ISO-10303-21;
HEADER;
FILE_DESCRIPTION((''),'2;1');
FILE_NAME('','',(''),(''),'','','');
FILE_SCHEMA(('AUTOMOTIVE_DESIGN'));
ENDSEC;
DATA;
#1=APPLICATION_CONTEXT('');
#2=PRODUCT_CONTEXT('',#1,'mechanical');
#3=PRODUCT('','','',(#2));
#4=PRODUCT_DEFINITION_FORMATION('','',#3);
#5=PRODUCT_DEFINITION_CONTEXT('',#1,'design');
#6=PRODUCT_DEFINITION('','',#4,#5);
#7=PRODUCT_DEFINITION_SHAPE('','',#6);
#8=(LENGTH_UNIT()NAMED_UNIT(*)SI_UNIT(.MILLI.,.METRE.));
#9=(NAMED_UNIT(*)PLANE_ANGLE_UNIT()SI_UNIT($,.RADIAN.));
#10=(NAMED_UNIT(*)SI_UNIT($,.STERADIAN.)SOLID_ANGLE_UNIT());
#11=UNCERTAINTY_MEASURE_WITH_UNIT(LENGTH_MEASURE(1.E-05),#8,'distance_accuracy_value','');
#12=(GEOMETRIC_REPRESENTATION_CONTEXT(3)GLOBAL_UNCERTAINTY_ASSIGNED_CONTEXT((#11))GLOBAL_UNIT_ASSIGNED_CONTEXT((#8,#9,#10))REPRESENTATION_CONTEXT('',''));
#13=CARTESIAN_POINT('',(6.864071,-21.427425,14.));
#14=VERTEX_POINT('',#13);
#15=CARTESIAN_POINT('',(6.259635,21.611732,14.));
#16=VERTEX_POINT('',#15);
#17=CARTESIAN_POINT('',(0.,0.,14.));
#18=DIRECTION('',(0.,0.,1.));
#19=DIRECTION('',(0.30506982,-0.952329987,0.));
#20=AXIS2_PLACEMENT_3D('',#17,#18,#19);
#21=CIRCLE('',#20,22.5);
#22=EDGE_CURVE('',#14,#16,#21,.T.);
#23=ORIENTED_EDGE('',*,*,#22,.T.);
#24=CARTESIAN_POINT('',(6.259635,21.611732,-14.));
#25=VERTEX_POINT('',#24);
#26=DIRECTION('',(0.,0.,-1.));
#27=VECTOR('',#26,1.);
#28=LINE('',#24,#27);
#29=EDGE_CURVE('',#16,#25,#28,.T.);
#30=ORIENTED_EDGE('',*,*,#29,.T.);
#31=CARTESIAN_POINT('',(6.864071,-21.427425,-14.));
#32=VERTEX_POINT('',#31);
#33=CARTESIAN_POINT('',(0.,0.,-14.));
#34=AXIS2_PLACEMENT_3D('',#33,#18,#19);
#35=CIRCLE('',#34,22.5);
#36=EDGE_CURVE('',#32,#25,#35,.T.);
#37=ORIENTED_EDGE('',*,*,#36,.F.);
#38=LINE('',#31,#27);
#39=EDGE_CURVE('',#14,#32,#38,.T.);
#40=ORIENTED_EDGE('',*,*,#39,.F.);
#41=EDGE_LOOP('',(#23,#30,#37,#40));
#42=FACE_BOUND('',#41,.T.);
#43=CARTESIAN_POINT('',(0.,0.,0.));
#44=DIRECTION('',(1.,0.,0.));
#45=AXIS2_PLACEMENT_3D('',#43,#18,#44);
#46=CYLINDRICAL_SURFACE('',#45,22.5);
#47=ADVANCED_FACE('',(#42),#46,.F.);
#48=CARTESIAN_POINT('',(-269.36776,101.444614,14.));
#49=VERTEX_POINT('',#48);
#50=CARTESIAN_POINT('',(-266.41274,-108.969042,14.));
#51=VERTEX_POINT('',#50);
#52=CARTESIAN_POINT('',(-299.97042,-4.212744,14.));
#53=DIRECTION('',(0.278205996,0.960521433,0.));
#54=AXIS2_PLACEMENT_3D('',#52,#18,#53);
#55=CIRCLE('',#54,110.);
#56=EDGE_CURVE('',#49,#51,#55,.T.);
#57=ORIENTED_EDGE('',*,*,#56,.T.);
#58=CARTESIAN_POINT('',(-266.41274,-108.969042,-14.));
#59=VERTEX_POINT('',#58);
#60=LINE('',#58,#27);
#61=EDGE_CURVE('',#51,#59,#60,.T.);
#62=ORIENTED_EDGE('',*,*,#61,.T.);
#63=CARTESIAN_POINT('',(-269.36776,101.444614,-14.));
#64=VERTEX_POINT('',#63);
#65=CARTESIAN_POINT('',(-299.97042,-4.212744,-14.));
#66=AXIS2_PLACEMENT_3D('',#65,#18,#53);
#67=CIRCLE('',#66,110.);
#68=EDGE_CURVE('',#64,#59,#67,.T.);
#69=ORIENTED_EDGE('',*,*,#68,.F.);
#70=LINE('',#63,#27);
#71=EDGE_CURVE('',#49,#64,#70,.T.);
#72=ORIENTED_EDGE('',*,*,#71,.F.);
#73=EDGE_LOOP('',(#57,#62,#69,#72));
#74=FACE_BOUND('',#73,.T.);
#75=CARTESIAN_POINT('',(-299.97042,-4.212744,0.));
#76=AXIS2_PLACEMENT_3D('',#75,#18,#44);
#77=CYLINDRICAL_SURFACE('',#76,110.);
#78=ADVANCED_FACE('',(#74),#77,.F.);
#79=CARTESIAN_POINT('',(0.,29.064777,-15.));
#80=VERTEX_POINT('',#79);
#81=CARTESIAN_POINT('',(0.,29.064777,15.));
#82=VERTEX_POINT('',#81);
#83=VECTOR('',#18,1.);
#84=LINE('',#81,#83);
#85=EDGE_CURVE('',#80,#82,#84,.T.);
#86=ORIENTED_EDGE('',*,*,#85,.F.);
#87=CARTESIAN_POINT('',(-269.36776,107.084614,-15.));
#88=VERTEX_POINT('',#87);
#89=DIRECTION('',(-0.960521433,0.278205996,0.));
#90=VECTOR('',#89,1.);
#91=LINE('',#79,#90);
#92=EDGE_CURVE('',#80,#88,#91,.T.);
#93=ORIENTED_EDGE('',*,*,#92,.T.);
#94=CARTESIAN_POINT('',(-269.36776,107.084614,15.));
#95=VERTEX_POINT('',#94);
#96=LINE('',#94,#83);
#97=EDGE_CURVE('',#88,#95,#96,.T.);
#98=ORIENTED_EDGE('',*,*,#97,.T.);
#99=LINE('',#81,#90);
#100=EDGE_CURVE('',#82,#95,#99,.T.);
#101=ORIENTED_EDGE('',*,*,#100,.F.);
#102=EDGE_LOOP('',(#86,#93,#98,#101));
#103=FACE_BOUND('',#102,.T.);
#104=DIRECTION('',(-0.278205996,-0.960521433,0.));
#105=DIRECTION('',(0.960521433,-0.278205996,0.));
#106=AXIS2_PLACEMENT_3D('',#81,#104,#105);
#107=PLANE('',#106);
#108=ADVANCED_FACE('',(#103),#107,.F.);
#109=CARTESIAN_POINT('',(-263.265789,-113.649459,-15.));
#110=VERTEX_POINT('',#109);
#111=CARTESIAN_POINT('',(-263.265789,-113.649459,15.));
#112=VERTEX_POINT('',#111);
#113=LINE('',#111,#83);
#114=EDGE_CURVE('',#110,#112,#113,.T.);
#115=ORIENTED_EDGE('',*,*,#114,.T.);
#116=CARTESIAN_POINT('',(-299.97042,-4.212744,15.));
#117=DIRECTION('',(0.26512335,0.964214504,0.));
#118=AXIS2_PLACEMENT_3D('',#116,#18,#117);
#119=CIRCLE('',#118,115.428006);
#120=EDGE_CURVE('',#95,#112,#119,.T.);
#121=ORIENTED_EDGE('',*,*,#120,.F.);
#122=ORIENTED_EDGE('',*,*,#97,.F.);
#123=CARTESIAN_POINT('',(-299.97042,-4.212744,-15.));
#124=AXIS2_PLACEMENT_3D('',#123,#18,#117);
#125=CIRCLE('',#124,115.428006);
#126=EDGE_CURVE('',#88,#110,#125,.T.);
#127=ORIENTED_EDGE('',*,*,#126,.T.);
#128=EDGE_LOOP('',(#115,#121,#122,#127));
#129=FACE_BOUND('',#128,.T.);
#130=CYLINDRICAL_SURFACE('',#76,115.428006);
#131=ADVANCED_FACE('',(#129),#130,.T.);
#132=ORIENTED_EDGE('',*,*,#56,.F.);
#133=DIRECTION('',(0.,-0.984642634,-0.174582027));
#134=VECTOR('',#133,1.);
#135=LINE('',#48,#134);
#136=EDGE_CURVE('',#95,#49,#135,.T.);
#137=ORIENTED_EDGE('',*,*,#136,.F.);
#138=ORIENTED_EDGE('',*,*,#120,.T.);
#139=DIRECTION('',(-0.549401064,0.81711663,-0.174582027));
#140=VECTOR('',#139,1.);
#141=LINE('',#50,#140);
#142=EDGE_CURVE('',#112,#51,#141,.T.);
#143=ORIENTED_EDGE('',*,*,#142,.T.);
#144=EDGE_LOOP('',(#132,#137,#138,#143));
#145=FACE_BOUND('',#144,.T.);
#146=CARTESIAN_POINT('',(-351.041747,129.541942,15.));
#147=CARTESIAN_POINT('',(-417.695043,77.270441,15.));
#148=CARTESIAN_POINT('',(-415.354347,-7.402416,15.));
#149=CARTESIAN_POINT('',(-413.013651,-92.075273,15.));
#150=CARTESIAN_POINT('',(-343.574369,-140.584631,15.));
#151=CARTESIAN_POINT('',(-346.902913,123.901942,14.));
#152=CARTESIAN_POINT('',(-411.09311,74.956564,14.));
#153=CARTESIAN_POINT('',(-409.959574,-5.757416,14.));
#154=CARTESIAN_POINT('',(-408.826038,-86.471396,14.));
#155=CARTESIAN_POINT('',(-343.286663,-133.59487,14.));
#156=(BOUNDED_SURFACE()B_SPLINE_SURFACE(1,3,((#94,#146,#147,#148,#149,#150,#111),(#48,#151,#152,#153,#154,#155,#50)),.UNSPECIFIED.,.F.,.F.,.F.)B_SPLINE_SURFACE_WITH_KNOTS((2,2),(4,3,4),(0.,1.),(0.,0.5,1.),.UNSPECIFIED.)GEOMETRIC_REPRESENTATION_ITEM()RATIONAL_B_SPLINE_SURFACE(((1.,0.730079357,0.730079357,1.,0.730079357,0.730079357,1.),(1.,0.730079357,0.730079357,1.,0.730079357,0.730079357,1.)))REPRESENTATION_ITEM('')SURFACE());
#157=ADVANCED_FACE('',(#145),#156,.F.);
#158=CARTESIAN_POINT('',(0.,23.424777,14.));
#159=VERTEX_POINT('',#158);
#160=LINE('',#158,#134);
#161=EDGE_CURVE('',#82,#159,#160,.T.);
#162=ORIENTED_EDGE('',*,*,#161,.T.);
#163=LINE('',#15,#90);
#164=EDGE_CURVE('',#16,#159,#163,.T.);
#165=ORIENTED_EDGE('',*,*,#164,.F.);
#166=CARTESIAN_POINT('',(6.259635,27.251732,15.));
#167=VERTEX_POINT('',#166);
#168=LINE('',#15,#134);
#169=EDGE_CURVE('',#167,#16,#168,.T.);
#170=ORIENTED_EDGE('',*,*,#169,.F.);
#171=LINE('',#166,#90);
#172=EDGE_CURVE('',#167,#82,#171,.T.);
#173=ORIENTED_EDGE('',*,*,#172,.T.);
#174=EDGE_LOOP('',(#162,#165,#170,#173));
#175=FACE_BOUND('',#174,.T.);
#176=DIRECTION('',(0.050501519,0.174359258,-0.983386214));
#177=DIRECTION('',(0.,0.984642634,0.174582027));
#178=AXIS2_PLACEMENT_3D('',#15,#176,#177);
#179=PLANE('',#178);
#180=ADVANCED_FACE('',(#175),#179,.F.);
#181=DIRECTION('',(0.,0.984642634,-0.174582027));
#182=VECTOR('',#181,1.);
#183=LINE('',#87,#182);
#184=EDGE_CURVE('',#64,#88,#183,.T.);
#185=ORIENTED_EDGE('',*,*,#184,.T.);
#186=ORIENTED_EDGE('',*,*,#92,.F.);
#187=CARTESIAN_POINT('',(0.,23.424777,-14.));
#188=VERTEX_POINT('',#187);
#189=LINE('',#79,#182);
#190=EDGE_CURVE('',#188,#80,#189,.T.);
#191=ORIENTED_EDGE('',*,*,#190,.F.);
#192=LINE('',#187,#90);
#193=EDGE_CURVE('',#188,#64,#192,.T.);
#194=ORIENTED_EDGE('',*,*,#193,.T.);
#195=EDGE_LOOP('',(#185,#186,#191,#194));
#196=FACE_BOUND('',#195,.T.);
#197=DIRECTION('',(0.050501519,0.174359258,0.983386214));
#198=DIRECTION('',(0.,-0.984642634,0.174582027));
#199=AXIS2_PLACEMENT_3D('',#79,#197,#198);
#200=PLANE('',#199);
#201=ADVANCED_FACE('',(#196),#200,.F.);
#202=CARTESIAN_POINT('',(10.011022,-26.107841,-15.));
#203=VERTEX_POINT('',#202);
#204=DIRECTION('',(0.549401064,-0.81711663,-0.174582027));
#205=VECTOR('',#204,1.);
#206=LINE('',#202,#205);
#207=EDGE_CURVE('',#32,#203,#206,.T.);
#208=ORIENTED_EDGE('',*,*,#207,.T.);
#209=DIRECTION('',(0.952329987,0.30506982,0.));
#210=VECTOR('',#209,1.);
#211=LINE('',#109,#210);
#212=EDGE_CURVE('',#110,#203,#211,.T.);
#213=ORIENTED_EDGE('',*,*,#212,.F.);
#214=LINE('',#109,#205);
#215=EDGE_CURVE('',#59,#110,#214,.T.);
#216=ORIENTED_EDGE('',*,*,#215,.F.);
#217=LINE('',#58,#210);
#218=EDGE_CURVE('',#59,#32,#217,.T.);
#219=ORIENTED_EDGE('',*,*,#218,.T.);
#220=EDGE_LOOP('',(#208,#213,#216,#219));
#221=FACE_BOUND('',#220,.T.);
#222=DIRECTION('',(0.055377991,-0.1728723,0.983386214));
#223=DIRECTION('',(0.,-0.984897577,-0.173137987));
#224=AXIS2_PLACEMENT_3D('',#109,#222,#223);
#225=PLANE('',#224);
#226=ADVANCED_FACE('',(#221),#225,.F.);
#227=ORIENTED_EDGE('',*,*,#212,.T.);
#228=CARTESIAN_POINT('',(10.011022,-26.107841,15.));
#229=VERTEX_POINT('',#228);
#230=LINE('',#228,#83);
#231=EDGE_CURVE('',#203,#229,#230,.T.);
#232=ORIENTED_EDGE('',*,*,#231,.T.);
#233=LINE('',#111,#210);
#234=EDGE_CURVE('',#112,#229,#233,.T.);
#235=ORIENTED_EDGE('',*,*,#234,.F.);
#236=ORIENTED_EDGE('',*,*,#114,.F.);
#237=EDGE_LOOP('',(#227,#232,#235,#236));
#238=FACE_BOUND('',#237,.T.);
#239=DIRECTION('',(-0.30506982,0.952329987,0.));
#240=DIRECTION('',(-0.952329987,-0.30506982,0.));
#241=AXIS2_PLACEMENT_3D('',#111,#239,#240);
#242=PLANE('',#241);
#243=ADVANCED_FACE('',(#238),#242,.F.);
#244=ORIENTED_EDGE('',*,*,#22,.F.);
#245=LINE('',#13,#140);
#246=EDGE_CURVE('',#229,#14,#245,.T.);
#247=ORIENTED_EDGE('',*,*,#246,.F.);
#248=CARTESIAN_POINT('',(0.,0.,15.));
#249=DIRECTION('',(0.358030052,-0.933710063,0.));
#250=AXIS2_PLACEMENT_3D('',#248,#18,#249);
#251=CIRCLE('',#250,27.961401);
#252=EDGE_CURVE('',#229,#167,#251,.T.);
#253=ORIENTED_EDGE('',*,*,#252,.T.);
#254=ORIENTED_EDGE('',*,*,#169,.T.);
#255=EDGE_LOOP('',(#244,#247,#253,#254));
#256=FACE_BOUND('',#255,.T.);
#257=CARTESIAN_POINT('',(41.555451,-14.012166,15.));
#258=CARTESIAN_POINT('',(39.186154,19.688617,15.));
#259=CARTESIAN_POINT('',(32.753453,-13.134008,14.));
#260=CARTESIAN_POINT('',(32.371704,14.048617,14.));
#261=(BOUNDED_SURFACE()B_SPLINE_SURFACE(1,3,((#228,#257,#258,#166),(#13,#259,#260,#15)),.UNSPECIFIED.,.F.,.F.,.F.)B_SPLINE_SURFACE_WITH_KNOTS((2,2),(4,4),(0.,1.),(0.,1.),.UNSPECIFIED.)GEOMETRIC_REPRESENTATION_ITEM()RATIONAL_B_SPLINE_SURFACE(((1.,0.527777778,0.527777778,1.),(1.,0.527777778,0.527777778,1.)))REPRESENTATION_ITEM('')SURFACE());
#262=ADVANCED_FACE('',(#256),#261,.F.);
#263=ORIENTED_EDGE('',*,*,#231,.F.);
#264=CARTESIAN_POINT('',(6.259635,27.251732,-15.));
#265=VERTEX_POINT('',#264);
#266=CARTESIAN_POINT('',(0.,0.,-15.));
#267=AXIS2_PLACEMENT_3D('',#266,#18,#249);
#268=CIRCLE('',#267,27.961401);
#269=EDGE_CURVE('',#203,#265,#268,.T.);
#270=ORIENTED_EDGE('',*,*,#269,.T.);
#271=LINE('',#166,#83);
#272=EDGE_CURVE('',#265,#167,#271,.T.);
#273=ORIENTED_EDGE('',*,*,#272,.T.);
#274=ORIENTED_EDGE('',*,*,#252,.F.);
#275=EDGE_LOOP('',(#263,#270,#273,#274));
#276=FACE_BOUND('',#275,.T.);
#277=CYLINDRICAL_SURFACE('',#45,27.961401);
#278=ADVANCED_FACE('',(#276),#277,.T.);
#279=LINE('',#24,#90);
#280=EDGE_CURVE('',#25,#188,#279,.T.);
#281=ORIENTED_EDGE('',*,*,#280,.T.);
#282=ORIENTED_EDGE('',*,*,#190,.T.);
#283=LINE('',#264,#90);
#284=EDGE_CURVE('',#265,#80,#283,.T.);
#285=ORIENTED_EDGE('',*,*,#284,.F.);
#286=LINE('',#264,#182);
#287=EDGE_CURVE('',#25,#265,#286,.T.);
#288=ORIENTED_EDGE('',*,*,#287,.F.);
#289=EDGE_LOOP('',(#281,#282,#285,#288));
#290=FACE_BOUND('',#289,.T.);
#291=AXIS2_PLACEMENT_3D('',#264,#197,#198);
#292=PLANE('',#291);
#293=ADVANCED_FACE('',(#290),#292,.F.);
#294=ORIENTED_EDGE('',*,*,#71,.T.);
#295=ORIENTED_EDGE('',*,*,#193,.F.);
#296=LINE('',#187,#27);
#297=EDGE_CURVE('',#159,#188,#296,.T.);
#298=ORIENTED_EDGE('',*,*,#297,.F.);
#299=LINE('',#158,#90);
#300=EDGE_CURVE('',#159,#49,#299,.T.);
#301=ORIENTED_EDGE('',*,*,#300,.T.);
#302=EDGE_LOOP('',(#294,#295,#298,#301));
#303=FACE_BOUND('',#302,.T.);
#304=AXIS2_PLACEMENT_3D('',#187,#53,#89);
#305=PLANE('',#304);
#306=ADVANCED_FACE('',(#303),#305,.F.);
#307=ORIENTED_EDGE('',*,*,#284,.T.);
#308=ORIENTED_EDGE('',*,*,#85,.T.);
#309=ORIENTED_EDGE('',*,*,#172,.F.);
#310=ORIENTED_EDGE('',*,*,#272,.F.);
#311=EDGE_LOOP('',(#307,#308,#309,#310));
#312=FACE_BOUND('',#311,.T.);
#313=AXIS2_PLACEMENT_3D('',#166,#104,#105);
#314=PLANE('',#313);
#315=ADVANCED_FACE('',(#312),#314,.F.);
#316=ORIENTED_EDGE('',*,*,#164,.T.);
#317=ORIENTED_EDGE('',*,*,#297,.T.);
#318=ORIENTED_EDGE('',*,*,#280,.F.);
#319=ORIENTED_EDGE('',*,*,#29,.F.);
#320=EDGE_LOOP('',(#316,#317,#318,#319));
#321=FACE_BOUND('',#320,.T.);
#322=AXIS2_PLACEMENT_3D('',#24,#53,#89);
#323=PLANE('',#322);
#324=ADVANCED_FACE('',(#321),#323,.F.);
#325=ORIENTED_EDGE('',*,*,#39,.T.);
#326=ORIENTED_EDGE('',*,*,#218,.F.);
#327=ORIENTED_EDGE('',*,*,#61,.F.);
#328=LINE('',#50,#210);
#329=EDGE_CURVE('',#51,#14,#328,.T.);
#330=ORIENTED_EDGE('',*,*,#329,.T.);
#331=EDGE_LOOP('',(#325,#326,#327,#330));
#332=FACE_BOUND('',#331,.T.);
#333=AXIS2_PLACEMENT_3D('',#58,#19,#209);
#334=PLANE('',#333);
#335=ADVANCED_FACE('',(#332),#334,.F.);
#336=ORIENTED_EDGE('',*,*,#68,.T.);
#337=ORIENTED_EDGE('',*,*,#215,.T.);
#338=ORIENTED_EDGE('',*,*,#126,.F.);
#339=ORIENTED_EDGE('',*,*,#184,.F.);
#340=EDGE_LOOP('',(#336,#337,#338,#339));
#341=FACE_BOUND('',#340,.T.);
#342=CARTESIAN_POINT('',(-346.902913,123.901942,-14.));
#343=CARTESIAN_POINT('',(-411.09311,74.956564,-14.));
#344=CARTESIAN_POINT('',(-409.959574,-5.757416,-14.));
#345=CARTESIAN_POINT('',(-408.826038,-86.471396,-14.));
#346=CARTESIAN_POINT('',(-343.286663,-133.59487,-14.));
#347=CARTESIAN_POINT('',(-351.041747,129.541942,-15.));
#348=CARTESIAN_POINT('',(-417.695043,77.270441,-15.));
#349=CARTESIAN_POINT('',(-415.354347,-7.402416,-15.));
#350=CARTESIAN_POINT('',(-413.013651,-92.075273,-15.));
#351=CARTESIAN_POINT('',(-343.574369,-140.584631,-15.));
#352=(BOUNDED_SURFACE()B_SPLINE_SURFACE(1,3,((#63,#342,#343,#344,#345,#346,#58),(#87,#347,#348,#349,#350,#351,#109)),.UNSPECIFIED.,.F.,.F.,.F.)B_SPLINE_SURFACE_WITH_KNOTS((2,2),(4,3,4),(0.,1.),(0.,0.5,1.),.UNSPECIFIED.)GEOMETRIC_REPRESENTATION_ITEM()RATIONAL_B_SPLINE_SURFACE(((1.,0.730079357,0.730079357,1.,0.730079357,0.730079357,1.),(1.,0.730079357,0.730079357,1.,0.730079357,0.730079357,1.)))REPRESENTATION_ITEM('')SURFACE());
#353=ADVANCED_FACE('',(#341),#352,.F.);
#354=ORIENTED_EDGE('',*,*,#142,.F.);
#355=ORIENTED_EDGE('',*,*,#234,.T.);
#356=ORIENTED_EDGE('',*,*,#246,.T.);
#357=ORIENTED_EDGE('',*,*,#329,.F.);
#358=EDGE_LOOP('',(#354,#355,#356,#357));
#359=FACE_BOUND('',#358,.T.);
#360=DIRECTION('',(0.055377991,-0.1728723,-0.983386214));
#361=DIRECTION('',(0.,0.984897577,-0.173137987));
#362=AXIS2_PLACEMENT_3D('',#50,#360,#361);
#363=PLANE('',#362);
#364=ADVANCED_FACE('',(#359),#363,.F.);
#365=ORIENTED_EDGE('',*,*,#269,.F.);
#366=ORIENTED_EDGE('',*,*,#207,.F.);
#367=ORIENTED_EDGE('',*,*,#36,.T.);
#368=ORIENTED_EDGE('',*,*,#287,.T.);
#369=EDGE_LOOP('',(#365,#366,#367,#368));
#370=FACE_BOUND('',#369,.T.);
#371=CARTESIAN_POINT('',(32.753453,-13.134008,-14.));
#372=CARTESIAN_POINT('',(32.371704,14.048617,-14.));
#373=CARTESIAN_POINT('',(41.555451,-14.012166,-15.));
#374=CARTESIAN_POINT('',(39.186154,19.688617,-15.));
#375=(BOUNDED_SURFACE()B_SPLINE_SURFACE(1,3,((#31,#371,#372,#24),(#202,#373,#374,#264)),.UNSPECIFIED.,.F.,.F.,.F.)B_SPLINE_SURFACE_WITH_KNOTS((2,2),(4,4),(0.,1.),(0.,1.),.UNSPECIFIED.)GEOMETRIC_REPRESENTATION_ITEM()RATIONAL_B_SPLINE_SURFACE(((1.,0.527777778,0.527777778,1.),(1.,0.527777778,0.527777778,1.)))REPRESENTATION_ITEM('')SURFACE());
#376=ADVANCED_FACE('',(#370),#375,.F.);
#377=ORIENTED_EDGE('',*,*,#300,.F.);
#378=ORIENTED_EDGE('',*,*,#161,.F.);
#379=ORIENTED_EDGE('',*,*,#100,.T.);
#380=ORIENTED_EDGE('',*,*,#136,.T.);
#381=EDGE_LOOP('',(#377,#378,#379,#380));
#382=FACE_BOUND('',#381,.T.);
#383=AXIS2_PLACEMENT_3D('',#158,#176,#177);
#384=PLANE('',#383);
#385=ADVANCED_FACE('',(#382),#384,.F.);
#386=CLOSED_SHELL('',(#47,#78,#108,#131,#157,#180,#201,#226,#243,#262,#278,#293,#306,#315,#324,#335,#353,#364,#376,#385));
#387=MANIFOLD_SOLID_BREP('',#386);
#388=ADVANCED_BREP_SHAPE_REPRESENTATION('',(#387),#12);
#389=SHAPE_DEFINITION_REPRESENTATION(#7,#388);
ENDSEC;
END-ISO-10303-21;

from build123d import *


with BuildPart() as part:
    # Sweep1: sweep along a path in Sketch1
    with BuildLine(Plane.XY) as sweep1_path:
        Line((-269.367760248, 101.444614144), (6.259634921, 21.611732246))
        ThreePointArc((6.259634921, 21.611732246), (22.49778149, 0.315955763), (6.864070948, -21.427424717))
        Line((6.864070948, -21.427424717), (-266.412739672, -108.969042119))
        ThreePointArc((-266.412739672, -108.969042119), (-409.959573811, -5.757416118), (-269.367760248, 101.444614144))
    # Sketch2 → Sweep1 (sweep)
    with BuildSketch(Plane(origin=(0, 0, 0), x_dir=(0, 0, -1), z_dir=(1, 0, 0))):
        Polygon((-15, 29.06477661), (15, 29.06477661), (14, 23.42477661), (-14, 23.42477661), align=None)
    sweep(path=sweep1_path.line)


solid = part.part
